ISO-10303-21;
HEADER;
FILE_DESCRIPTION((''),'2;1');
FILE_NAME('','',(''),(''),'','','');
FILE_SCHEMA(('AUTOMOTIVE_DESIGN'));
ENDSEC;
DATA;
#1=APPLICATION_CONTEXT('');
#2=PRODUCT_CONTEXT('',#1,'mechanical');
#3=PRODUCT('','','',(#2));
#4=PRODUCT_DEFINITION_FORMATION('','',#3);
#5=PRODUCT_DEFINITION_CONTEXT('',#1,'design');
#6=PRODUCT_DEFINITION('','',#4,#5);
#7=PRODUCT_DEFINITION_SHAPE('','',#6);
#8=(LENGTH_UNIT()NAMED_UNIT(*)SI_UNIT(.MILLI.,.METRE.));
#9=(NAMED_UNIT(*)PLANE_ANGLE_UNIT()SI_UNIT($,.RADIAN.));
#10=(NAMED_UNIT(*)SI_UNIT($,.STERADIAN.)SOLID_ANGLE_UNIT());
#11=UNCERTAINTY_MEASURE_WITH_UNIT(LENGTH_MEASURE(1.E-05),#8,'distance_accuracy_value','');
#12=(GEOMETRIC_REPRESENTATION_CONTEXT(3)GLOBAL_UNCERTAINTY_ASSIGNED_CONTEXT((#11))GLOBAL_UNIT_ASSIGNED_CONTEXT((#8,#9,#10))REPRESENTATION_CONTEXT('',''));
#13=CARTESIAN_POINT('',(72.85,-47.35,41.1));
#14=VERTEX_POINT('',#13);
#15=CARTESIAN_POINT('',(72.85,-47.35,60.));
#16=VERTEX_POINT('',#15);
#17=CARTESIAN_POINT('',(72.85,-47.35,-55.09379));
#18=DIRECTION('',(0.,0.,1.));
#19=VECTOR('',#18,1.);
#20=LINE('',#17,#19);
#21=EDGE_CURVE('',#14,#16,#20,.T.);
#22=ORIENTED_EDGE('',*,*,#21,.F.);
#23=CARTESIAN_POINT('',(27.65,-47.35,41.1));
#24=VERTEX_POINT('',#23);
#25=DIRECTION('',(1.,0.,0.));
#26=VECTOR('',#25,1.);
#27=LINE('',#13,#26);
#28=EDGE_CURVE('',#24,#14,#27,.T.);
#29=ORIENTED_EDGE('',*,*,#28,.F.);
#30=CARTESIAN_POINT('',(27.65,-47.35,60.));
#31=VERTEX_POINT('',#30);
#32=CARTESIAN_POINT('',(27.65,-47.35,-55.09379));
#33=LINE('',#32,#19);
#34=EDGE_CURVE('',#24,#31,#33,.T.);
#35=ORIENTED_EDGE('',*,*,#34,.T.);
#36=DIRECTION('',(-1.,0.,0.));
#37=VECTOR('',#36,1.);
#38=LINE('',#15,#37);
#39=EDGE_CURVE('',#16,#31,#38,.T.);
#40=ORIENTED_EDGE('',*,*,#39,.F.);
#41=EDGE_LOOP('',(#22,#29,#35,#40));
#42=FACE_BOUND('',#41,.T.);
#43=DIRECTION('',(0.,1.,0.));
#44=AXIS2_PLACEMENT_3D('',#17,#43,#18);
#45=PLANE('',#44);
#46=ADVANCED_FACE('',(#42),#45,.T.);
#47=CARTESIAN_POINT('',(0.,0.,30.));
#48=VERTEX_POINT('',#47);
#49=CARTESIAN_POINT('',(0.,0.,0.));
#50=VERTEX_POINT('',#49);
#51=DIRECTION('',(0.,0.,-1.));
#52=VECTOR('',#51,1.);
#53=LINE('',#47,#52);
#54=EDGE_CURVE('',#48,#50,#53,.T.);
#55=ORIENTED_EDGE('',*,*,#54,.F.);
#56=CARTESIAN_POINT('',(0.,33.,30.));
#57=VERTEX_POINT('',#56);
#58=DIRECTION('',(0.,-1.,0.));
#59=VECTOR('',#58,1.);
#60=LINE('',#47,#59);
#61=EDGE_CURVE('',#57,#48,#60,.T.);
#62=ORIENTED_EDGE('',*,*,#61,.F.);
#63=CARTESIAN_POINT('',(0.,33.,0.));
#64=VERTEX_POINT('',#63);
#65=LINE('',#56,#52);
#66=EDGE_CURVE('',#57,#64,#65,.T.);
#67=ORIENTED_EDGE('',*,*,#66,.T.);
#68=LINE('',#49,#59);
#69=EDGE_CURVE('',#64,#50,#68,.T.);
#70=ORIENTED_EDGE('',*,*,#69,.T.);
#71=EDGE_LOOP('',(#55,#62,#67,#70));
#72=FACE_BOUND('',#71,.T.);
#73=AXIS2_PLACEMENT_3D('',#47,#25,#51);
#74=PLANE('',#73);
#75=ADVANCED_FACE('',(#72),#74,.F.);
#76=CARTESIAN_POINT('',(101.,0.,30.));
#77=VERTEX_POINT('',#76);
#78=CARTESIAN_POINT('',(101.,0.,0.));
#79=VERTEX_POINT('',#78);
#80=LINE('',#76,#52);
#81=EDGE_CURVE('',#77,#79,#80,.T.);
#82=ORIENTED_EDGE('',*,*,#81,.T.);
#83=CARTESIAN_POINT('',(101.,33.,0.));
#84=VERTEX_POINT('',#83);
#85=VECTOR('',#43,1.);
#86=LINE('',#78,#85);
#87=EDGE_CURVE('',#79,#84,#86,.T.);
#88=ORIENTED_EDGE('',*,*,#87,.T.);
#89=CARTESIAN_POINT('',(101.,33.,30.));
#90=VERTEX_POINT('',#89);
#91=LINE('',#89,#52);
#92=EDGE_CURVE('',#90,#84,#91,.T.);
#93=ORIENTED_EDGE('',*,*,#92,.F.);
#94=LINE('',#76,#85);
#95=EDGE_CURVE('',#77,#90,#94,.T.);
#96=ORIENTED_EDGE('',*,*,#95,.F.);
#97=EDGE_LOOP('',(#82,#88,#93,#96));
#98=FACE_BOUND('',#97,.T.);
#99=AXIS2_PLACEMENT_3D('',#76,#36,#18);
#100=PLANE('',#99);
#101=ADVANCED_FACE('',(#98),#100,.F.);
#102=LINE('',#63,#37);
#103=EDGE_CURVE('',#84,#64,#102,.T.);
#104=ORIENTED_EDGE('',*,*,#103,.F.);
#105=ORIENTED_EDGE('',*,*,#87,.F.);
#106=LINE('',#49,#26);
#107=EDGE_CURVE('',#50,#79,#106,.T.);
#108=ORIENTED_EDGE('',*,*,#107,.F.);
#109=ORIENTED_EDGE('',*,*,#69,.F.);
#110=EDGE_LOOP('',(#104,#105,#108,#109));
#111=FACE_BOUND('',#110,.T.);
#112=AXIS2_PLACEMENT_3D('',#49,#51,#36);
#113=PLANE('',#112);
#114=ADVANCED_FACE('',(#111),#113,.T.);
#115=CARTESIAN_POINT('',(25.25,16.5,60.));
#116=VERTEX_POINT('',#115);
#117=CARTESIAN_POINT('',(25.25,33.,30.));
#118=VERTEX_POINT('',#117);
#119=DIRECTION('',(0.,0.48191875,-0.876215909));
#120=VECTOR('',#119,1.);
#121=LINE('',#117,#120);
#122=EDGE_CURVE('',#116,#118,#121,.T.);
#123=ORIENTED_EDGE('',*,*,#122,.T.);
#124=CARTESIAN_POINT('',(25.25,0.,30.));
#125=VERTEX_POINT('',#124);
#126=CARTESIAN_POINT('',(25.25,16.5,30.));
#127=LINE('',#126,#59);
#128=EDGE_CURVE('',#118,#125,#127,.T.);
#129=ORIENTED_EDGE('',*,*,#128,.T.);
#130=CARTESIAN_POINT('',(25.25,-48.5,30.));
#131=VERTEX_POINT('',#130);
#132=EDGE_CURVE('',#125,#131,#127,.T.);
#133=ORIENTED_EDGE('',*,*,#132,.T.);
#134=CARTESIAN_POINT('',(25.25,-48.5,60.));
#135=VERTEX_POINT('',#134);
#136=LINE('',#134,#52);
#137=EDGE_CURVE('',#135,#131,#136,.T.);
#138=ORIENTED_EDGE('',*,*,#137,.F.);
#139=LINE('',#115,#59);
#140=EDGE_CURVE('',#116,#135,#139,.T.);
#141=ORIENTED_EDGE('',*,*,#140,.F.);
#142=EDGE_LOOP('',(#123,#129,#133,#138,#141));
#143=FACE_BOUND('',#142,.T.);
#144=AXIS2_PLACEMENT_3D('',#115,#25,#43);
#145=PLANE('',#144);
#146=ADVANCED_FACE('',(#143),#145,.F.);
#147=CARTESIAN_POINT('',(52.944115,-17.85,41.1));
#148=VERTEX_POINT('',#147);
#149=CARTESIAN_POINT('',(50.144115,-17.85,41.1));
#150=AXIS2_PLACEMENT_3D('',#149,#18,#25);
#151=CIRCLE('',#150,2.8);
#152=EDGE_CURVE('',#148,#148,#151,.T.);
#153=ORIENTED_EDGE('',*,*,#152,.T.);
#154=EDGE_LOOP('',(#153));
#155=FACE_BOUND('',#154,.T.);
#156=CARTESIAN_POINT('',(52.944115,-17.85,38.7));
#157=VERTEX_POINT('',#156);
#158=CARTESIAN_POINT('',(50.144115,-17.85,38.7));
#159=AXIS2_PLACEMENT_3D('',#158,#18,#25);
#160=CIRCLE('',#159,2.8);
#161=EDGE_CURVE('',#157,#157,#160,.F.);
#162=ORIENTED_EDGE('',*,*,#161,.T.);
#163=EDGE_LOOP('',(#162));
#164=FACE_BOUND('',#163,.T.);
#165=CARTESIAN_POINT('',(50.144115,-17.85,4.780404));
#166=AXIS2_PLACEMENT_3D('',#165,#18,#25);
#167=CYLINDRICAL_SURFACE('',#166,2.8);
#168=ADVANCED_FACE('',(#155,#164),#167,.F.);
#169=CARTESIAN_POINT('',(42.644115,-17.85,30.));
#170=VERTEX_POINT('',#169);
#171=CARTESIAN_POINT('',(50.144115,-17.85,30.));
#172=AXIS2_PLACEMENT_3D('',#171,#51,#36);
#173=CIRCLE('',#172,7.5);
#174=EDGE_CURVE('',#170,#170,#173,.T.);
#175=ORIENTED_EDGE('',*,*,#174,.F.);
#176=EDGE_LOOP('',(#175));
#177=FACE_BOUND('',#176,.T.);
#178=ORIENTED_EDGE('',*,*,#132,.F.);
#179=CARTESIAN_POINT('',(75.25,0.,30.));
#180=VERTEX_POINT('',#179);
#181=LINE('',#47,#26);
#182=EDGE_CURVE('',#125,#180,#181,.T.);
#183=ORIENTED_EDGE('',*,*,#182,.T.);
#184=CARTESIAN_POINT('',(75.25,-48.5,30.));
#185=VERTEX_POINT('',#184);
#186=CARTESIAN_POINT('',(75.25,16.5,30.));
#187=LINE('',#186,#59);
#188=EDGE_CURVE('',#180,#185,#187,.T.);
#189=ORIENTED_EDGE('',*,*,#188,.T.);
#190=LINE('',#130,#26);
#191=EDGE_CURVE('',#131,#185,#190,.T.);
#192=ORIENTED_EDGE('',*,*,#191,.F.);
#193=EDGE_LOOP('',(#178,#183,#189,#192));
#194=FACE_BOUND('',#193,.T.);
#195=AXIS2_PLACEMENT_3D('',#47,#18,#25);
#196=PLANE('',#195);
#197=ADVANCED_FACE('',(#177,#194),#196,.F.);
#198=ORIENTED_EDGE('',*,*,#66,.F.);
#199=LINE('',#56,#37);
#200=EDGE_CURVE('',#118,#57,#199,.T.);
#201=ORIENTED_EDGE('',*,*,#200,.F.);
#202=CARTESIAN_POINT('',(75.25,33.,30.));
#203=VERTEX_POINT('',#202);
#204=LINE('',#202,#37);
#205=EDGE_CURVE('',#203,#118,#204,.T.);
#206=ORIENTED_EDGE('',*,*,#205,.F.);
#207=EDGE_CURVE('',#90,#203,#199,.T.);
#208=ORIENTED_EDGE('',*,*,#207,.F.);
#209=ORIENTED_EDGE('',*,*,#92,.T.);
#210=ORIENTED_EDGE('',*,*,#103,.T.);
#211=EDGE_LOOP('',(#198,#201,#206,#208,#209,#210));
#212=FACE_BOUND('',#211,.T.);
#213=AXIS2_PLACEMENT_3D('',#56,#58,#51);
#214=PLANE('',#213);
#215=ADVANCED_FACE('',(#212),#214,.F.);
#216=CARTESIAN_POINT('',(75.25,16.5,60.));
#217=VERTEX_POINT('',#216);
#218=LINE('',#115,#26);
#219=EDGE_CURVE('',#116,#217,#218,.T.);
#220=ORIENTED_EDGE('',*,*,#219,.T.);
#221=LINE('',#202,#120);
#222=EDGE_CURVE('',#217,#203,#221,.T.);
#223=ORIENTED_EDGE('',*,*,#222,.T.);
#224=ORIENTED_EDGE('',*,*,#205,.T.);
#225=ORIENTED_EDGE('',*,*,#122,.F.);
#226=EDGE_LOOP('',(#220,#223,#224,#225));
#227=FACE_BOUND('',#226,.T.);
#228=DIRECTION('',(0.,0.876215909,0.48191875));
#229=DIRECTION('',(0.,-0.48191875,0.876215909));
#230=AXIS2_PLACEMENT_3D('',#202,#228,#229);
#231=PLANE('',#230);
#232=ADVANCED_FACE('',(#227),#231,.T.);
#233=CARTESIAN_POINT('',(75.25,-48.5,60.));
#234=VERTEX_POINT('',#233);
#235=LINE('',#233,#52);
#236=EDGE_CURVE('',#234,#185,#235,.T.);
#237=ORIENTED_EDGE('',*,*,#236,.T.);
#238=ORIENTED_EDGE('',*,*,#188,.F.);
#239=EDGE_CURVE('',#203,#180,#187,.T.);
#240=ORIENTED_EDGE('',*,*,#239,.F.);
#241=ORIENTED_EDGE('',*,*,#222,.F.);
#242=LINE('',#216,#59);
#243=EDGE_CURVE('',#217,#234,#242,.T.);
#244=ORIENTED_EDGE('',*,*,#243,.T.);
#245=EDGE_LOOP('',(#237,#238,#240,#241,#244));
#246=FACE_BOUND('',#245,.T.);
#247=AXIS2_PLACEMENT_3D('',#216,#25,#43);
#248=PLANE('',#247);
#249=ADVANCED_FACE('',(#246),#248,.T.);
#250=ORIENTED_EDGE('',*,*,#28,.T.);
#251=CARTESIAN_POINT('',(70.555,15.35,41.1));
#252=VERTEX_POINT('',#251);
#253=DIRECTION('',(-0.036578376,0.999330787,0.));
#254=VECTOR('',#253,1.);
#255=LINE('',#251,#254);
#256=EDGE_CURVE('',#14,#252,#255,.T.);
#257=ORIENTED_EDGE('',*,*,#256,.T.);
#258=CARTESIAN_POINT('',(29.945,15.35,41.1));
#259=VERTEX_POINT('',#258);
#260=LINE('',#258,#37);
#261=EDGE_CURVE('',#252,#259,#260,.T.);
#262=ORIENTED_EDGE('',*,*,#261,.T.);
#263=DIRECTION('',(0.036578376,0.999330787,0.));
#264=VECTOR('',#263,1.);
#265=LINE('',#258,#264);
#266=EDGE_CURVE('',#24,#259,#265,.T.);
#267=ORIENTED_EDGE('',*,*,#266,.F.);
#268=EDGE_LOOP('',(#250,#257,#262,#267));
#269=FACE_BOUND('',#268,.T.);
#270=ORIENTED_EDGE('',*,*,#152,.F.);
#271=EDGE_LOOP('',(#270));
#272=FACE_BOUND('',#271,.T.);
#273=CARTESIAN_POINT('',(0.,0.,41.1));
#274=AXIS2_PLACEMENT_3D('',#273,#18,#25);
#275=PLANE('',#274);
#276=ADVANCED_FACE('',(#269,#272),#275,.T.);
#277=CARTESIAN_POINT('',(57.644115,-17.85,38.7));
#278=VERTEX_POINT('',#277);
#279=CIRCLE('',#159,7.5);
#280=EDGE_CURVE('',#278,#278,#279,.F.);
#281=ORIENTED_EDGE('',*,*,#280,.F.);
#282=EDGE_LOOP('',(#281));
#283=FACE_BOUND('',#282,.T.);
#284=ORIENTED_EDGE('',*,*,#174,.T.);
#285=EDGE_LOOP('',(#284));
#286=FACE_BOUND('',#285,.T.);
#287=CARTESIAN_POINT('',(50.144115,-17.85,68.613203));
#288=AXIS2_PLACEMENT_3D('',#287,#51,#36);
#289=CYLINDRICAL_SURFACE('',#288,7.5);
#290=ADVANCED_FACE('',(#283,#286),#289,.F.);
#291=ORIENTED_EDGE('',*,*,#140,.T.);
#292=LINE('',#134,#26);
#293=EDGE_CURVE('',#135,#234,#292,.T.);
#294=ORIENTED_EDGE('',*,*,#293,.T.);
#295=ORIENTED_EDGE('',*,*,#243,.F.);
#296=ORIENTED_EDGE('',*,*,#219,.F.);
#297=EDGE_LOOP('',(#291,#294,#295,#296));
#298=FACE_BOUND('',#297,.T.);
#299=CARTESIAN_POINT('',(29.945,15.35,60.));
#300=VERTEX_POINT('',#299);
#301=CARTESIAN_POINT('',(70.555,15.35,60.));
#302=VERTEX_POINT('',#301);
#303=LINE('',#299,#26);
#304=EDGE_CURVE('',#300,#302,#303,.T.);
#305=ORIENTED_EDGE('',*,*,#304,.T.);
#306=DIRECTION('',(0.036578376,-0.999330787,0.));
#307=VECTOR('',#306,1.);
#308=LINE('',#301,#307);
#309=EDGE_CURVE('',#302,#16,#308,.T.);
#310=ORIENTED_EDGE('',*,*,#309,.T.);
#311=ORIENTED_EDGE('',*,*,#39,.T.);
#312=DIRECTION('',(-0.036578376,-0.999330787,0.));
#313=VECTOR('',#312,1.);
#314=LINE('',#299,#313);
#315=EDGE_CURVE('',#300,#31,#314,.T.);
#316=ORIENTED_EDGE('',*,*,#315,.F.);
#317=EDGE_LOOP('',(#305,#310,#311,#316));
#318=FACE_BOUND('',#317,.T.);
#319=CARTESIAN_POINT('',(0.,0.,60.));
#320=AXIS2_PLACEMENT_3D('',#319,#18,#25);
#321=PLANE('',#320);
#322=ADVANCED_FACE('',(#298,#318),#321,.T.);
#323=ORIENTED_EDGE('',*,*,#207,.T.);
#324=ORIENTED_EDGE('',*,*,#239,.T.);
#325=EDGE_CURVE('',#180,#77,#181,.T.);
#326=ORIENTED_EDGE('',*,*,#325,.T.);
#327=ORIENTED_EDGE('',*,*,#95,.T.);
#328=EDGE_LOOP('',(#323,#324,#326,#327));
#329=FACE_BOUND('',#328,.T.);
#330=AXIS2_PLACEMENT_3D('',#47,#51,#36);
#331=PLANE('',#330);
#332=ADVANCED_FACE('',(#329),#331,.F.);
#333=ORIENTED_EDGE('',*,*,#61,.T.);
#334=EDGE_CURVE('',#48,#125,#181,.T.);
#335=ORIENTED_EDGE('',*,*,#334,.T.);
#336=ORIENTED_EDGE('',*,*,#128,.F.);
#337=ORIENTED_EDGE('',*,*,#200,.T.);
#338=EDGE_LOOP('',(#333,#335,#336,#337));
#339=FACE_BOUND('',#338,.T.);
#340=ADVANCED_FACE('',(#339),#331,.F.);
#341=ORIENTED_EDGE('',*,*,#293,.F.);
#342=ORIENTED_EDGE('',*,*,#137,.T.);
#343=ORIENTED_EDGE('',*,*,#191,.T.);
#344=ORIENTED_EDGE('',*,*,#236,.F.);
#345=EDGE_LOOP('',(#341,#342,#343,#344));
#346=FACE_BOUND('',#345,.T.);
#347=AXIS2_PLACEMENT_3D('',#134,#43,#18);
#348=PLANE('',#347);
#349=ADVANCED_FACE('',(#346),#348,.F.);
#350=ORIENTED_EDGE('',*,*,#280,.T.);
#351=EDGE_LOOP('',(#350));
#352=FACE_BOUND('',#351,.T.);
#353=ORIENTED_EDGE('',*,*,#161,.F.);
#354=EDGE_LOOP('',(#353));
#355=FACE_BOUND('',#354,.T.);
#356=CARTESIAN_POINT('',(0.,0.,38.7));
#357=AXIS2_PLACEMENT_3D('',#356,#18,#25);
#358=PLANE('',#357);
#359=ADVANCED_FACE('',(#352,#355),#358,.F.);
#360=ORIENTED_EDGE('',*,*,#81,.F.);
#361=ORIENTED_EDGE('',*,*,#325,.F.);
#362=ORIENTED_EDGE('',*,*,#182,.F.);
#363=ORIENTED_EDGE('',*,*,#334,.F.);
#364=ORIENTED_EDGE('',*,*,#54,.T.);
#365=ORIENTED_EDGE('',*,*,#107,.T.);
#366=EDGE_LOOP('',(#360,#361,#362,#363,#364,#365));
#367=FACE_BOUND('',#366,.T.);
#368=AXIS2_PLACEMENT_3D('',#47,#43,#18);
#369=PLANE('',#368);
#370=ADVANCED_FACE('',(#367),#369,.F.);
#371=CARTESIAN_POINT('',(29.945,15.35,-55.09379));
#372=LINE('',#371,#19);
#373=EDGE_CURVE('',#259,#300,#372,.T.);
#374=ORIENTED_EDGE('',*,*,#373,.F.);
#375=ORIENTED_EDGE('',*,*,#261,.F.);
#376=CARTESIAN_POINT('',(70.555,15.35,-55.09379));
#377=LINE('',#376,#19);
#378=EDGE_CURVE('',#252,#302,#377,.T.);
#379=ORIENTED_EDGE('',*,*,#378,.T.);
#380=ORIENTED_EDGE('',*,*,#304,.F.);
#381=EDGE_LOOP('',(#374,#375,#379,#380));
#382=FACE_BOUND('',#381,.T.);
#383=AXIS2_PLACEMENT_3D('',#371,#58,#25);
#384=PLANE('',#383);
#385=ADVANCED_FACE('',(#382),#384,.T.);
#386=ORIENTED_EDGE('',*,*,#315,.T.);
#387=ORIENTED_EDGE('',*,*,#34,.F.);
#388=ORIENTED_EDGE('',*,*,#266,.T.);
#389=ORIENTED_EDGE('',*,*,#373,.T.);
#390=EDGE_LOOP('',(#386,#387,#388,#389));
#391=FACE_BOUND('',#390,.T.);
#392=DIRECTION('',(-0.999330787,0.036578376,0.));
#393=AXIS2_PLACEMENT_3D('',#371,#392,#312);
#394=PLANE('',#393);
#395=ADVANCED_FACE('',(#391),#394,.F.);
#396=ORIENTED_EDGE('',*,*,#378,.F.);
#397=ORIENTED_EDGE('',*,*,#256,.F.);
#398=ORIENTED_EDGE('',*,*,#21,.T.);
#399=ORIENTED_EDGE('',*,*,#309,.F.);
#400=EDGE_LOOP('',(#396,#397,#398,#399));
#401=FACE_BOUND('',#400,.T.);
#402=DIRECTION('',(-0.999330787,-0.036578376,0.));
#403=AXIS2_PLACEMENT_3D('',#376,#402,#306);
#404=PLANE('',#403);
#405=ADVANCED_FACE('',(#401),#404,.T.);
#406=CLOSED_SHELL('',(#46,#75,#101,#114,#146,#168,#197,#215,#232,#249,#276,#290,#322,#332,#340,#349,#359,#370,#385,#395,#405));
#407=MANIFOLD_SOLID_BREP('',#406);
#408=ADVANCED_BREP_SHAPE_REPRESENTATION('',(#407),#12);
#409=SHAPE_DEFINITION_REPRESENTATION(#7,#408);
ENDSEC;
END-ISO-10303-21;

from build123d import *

# Parameters (mm, degrees)
SKICA1_W                 = 101
SKICA1_H                 = 33
P_IDAT_VYSUNUT_M1_DEPTH  = 30
SKICA2_W                 = 50
SKICA2_H                 = 65
P_IDAT_VYSUNUT_M2_DEPTH  = 30
P_IDAT_VYSUNUT_M3_DEPTH  = 50
ODEBRAT_VYSUNUT_M5_DEPTH = 18.9
SKICA17_R                = 2.8
ODEBRAT_VYSUNUT_M6_DEPTH = 14.2
SKICA18_R                = 7.5
ODEBRAT_VYSUNUT_M7_DEPTH = 8.7


with BuildPart() as part:
    # Skica1 → Přidat vysunutím1 (new body)
    with BuildSketch(Plane.XY):
        with Locations((50.5, 16.5)):
            Rectangle(SKICA1_W, SKICA1_H)
    extrude(amount=P_IDAT_VYSUNUT_M1_DEPTH)

    # Skica2 → Přidat vysunutím2 (add)
    with BuildSketch(Plane.XY.offset(30)):
        with Locations((50.25, -16)):
            Rectangle(SKICA2_W, SKICA2_H)
    extrude(amount=P_IDAT_VYSUNUT_M2_DEPTH)

    # Skica3 → Přidat vysunutím3 (add)
    with BuildSketch(Plane.ZY.offset(-25.25)):
        Polygon((30, 33), (60, 16.5), (30, 16.5), align=None)
    extrude(amount=-P_IDAT_VYSUNUT_M3_DEPTH)

    # Skica6 → Odebrat vysunutím5 (cut)
    with BuildSketch(Plane.XY.offset(60)):
        Polygon((29.945, 15.35), (70.555, 15.35), (72.85, -47.35), (27.65, -47.35), align=None)
    extrude(amount=-ODEBRAT_VYSUNUT_M5_DEPTH, mode=Mode.SUBTRACT)

    # Skica17 → Odebrat vysunutím6 (cut)
    with BuildSketch(Plane.XY.offset(41.1)):
        with Locations((50.144115431, -17.85)):
            Circle(SKICA17_R)
    extrude(amount=-ODEBRAT_VYSUNUT_M6_DEPTH, mode=Mode.SUBTRACT)

    # Skica18 → Odebrat vysunutím7 (cut)
    with BuildSketch(Plane(origin=(0, 0, 30), x_dir=(-1, 0, 0), z_dir=(0, 0, -1))):
        with Locations((-50.144115431, -17.85)):
            Circle(SKICA18_R)
    extrude(amount=-ODEBRAT_VYSUNUT_M7_DEPTH, mode=Mode.SUBTRACT)


solid = part.part
